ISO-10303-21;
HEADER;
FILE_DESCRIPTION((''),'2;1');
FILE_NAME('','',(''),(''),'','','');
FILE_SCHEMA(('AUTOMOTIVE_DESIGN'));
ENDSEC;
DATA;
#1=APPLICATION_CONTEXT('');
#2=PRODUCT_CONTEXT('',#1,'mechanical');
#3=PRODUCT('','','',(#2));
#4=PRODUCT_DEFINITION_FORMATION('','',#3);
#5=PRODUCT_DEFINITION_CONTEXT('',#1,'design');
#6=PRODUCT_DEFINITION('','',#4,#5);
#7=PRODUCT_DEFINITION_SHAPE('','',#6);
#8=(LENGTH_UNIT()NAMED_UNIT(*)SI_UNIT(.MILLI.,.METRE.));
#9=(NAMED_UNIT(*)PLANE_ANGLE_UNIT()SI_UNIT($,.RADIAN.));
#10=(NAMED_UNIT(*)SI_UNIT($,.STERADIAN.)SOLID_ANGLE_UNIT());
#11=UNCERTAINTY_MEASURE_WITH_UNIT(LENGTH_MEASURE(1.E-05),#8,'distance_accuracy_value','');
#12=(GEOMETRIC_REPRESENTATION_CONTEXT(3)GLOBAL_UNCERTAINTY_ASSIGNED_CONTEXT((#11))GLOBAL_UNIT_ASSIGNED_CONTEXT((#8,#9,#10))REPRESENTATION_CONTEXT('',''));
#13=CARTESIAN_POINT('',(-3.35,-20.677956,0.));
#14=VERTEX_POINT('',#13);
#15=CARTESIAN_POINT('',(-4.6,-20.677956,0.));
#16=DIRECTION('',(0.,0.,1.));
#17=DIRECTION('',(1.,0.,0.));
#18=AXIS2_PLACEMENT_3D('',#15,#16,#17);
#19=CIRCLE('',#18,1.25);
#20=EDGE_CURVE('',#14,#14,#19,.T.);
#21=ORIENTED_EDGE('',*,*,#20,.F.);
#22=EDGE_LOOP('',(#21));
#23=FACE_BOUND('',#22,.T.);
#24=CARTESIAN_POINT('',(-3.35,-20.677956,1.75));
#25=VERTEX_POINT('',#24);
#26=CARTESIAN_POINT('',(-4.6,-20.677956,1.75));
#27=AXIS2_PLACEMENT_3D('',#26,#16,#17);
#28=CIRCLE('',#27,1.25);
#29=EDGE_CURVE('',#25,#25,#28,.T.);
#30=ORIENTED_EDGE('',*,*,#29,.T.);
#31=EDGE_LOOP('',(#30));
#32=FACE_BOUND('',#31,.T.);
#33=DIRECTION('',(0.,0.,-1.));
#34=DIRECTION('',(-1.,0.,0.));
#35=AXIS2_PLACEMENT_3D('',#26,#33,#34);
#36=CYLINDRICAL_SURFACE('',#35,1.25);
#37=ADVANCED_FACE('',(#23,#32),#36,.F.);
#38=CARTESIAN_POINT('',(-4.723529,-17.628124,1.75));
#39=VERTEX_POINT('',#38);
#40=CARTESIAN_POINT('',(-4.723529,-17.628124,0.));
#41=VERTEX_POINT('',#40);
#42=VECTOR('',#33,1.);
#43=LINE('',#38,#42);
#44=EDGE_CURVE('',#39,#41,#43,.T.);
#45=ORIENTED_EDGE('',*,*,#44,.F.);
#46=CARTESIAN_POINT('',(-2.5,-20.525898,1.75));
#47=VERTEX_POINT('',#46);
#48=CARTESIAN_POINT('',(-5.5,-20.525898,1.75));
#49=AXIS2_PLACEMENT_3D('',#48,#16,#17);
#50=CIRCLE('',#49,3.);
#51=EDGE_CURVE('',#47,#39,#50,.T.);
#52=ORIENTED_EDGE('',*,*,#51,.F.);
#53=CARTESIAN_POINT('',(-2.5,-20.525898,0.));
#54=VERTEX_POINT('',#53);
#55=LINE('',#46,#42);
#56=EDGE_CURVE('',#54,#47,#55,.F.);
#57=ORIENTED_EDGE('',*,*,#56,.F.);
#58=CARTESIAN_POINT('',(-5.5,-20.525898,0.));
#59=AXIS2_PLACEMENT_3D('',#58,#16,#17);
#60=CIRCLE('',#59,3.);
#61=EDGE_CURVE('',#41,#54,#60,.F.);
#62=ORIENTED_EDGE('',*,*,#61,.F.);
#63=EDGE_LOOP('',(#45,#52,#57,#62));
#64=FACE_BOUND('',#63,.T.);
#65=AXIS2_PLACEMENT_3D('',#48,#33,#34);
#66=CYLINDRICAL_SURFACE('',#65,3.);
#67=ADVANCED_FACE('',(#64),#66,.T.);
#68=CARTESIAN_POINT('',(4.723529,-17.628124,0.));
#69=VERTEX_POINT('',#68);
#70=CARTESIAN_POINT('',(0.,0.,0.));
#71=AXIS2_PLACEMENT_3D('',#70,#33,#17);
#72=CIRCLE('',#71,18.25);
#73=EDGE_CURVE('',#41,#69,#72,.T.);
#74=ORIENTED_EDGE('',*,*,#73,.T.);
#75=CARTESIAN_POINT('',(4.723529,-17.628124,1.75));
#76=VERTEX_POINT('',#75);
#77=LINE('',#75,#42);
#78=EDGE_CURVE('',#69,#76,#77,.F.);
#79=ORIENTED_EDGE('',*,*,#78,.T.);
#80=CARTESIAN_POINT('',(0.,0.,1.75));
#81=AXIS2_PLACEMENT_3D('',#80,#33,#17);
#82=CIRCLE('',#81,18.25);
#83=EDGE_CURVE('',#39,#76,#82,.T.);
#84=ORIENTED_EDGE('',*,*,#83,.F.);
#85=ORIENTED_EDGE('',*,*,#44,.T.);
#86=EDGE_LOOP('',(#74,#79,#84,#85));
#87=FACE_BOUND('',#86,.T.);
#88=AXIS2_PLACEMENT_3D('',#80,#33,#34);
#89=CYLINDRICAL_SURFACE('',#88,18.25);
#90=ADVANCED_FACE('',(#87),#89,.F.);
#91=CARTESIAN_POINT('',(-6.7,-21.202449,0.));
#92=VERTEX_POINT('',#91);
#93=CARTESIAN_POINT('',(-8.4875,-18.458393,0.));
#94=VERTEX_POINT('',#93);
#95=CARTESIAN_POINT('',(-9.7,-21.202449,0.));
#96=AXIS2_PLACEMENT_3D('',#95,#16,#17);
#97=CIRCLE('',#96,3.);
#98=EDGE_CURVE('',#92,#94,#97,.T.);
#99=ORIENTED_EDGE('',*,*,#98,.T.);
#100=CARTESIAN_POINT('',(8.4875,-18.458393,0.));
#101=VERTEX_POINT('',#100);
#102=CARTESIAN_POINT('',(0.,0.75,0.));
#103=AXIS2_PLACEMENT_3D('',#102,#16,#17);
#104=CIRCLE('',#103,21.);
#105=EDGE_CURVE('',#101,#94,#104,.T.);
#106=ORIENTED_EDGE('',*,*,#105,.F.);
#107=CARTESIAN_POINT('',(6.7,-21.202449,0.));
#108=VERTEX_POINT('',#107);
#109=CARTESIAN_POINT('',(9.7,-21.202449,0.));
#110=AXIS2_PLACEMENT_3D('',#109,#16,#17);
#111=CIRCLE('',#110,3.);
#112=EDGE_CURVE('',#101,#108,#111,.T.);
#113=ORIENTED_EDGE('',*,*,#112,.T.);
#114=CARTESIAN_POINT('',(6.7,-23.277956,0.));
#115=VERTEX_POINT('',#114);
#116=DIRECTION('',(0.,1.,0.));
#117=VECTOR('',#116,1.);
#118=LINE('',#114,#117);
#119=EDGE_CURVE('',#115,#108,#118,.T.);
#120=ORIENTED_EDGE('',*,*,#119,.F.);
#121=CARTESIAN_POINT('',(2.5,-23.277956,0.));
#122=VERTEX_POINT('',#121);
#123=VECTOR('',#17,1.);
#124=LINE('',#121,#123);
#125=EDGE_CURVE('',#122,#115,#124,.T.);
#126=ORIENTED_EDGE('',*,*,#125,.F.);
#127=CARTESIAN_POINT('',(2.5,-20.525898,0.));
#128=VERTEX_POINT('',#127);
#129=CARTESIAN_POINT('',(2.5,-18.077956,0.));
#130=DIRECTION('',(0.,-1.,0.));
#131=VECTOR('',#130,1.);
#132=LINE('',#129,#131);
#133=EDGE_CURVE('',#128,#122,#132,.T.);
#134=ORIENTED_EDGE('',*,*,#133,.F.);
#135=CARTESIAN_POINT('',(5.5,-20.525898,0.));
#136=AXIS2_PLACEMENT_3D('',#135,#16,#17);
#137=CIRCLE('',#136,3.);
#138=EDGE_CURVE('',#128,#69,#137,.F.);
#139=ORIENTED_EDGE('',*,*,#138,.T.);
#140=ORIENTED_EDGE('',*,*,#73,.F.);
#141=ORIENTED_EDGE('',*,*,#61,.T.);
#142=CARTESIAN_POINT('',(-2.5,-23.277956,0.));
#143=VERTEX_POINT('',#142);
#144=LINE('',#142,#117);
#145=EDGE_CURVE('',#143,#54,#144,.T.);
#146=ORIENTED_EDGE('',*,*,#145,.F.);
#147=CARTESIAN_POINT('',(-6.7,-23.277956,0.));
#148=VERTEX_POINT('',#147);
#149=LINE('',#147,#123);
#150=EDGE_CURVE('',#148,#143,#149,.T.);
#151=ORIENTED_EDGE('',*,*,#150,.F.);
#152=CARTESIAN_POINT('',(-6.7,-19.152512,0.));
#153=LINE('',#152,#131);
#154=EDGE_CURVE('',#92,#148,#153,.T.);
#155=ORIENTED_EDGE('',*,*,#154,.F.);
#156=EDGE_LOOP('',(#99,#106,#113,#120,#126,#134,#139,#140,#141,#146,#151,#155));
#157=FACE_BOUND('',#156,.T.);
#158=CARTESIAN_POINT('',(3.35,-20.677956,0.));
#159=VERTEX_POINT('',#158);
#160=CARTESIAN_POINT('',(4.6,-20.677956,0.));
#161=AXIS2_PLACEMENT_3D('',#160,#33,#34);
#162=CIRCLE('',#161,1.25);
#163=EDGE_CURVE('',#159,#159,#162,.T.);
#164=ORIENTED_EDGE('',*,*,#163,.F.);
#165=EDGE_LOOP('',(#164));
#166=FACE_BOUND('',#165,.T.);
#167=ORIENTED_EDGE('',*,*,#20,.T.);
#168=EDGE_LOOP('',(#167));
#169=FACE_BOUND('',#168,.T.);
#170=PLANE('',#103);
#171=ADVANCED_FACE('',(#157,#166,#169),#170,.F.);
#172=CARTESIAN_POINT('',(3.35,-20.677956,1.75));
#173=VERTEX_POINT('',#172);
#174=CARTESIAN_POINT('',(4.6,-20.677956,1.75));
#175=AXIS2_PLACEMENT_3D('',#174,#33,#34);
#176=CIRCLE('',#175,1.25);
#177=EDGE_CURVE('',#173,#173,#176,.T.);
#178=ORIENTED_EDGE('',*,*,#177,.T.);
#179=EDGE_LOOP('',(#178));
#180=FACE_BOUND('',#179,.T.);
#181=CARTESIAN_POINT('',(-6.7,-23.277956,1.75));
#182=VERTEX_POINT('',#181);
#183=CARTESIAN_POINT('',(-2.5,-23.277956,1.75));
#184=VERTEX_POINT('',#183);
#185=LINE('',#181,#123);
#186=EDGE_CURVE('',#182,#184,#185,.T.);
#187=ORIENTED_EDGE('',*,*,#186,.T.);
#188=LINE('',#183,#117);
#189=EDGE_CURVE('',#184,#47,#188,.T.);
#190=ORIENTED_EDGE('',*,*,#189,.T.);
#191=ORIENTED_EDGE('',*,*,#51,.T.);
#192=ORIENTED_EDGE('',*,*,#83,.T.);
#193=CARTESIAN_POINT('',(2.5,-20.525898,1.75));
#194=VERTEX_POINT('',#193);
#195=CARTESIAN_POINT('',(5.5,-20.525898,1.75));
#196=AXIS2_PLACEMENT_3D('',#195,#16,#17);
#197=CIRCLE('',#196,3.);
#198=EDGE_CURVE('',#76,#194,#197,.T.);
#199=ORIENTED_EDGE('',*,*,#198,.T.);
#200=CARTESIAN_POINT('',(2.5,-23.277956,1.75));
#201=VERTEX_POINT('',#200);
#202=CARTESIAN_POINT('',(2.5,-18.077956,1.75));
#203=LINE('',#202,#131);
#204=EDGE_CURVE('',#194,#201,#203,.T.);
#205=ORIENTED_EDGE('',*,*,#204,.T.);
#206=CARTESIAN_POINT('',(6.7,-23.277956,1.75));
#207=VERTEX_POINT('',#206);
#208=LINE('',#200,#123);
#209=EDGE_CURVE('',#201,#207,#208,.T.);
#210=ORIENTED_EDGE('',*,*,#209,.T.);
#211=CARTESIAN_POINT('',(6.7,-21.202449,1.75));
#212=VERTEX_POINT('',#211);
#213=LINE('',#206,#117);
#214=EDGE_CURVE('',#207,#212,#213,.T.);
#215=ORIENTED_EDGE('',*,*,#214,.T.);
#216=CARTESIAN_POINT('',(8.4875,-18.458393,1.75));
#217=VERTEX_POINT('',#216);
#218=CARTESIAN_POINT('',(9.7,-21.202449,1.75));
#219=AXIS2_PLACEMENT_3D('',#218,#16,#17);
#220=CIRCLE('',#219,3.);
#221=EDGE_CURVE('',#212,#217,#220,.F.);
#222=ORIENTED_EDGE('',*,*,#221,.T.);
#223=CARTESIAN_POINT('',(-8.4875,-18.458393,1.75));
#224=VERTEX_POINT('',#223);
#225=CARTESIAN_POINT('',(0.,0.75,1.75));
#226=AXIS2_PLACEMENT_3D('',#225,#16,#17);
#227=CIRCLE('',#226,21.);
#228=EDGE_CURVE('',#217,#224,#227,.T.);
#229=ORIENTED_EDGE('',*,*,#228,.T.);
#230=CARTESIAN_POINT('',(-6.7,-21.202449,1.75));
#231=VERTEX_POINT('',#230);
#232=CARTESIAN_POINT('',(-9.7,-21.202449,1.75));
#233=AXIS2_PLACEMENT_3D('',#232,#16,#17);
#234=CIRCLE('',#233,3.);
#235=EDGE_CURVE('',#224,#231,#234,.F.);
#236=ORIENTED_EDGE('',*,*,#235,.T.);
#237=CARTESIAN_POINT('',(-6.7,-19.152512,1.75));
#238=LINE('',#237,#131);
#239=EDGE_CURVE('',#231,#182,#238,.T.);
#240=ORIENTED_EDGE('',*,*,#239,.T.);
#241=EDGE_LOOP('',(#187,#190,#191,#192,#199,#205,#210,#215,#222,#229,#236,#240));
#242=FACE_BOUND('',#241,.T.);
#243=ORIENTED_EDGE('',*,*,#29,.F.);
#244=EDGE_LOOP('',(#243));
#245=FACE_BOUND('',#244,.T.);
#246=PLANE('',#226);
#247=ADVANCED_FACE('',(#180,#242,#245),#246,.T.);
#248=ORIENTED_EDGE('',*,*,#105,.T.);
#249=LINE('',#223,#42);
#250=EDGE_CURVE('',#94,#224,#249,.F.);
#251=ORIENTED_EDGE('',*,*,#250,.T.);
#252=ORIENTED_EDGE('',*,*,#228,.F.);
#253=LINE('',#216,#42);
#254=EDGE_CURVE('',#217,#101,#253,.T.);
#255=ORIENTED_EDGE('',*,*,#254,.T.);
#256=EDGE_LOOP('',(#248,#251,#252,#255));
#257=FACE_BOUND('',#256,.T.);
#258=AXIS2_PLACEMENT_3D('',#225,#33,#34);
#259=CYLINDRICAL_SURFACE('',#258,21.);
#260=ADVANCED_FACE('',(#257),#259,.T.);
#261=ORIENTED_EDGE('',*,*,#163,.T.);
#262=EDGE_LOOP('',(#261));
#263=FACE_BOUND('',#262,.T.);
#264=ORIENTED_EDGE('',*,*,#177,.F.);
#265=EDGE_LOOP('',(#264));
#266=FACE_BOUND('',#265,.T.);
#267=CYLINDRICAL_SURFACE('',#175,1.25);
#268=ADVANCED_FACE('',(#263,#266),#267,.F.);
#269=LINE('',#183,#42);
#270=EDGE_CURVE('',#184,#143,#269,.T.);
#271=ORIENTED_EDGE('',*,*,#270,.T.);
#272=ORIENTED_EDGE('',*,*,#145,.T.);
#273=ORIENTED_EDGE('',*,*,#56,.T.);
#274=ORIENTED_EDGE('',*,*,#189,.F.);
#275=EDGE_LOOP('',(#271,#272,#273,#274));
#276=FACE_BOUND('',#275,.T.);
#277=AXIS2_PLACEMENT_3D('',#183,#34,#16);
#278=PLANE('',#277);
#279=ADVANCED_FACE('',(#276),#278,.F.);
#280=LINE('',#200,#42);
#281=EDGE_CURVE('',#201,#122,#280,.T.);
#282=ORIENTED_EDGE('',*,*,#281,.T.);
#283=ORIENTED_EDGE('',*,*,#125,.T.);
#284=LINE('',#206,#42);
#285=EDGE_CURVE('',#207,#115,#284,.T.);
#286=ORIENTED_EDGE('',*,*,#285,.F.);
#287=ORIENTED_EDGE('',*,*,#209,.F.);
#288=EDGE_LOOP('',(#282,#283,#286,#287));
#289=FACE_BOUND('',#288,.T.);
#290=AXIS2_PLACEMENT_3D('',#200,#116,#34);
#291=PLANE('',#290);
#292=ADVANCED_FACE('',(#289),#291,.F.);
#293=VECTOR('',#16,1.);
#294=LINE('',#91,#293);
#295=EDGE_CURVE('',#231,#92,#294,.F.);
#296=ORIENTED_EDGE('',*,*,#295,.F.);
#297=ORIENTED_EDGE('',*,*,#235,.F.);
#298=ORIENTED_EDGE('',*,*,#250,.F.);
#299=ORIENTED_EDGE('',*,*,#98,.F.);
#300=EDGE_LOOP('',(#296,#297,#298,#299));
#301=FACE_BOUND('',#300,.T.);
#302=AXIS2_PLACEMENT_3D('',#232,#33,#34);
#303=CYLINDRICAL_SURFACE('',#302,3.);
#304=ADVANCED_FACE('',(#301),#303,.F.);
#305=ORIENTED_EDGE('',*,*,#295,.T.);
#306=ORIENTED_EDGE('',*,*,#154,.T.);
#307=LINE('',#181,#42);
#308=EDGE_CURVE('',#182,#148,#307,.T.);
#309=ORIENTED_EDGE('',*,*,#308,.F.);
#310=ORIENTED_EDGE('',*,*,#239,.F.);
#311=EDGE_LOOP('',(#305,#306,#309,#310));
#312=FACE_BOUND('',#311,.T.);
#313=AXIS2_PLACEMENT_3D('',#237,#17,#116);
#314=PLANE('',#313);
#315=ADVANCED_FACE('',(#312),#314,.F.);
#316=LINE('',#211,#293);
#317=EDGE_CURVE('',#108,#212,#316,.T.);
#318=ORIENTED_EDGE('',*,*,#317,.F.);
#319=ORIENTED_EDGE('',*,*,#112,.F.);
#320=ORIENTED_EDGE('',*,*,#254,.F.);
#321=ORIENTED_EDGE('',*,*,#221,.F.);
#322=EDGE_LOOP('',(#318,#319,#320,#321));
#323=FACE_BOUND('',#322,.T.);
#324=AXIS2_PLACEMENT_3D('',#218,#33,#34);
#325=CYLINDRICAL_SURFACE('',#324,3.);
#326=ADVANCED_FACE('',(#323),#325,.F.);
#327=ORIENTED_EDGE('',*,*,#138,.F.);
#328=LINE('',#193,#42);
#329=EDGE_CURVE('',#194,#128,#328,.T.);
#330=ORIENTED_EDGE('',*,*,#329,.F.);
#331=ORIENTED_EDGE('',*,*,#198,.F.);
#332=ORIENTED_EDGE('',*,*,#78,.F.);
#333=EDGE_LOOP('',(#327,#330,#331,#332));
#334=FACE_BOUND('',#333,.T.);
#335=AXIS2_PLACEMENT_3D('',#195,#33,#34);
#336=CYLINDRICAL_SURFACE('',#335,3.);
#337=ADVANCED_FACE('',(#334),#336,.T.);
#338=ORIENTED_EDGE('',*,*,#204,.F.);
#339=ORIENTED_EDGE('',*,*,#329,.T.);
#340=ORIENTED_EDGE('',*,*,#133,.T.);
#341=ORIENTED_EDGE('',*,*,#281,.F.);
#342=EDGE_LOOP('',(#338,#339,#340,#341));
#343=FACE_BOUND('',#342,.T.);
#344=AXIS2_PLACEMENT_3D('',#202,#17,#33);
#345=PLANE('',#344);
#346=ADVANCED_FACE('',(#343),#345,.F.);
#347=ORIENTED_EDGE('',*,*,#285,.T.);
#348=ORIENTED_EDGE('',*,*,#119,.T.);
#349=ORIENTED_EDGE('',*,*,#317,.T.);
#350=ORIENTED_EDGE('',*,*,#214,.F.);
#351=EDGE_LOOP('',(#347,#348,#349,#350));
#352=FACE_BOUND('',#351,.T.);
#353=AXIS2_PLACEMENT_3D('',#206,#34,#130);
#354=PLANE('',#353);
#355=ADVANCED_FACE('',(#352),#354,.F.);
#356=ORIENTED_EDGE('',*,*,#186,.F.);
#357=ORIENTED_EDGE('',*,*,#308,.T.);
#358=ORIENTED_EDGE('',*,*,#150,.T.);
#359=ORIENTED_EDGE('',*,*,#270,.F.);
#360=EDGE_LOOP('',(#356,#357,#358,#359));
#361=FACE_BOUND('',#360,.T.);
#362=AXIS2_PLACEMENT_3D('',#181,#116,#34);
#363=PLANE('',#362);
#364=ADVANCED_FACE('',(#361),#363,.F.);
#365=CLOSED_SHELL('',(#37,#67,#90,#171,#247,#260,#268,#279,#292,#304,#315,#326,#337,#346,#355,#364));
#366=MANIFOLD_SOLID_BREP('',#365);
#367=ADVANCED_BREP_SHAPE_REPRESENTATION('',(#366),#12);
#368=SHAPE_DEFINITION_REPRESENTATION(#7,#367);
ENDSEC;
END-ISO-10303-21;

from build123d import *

# Parameters (mm, degrees)
BOSS_EXTRUDE1_DEPTH = 1.75
SKETCH2_R           = 1.25
CUT_EXTRUDE1_DEPTH  = 32.399454524
FILLET1_R           = 3
FILLET2_R           = 3


with BuildPart() as part:
    # Sketch1 → Boss-Extrude1 (new body)
    with BuildSketch(Plane.XY):
        with BuildLine():
            Line((-6.7, -19.152512404), (-6.7, -23.27795619))
            Line((-6.7, -23.27795619), (-2.5, -23.27795619))
            Line((-2.5, -23.27795619), (-2.5, -18.07795619))
            ThreePointArc((-2.5, -18.07795619), (0, 18.25), (2.5, -18.07795619))
            Line((2.5, -18.07795619), (2.5, -23.27795619))
            Line((2.5, -23.27795619), (6.7, -23.27795619))
            Line((6.7, -23.27795619), (6.7, -19.152512404))
            ThreePointArc((6.7, -19.152512404), (0, 21.75), (-6.7, -19.152512404))
        make_face()
    extrude(amount=BOSS_EXTRUDE1_DEPTH)

    # Sketch2 → Cut-Extrude1 (cut, through all)
    with BuildSketch(Plane(origin=(0, 0, 0), x_dir=(-1, 0, 0), z_dir=(0, 0, -1))):
        with Locations((-4.6, -20.67795619)):
            Circle(SKETCH2_R)
    cut_extrude1 = extrude(amount=-CUT_EXTRUDE1_DEPTH, mode=Mode.SUBTRACT)

    # Fillet1
    fillet1_edges = [part.edges().sort_by_distance(p)[0] for p in [
        (6.7, -19.152512404, 0.875),
        (-6.7, -19.152512404, 0.875),
    ]]
    fillet(fillet1_edges, radius=FILLET1_R)

    # Fillet2
    fillet2_edges = [part.edges().sort_by_distance(p)[0] for p in [
        (2.5, -18.07795619, 0.875),
        (-2.5, -18.07795619, 0.875),
    ]]
    fillet(fillet2_edges, radius=FILLET2_R)

    # Mirror1: Cut-Extrude1 across plane
    add(cut_extrude1.mirror(Plane(origin=(0, 0, 0), x_dir=(0, 0, 1), z_dir=(1, 0, 0))), mode=Mode.SUBTRACT)


solid = part.part
